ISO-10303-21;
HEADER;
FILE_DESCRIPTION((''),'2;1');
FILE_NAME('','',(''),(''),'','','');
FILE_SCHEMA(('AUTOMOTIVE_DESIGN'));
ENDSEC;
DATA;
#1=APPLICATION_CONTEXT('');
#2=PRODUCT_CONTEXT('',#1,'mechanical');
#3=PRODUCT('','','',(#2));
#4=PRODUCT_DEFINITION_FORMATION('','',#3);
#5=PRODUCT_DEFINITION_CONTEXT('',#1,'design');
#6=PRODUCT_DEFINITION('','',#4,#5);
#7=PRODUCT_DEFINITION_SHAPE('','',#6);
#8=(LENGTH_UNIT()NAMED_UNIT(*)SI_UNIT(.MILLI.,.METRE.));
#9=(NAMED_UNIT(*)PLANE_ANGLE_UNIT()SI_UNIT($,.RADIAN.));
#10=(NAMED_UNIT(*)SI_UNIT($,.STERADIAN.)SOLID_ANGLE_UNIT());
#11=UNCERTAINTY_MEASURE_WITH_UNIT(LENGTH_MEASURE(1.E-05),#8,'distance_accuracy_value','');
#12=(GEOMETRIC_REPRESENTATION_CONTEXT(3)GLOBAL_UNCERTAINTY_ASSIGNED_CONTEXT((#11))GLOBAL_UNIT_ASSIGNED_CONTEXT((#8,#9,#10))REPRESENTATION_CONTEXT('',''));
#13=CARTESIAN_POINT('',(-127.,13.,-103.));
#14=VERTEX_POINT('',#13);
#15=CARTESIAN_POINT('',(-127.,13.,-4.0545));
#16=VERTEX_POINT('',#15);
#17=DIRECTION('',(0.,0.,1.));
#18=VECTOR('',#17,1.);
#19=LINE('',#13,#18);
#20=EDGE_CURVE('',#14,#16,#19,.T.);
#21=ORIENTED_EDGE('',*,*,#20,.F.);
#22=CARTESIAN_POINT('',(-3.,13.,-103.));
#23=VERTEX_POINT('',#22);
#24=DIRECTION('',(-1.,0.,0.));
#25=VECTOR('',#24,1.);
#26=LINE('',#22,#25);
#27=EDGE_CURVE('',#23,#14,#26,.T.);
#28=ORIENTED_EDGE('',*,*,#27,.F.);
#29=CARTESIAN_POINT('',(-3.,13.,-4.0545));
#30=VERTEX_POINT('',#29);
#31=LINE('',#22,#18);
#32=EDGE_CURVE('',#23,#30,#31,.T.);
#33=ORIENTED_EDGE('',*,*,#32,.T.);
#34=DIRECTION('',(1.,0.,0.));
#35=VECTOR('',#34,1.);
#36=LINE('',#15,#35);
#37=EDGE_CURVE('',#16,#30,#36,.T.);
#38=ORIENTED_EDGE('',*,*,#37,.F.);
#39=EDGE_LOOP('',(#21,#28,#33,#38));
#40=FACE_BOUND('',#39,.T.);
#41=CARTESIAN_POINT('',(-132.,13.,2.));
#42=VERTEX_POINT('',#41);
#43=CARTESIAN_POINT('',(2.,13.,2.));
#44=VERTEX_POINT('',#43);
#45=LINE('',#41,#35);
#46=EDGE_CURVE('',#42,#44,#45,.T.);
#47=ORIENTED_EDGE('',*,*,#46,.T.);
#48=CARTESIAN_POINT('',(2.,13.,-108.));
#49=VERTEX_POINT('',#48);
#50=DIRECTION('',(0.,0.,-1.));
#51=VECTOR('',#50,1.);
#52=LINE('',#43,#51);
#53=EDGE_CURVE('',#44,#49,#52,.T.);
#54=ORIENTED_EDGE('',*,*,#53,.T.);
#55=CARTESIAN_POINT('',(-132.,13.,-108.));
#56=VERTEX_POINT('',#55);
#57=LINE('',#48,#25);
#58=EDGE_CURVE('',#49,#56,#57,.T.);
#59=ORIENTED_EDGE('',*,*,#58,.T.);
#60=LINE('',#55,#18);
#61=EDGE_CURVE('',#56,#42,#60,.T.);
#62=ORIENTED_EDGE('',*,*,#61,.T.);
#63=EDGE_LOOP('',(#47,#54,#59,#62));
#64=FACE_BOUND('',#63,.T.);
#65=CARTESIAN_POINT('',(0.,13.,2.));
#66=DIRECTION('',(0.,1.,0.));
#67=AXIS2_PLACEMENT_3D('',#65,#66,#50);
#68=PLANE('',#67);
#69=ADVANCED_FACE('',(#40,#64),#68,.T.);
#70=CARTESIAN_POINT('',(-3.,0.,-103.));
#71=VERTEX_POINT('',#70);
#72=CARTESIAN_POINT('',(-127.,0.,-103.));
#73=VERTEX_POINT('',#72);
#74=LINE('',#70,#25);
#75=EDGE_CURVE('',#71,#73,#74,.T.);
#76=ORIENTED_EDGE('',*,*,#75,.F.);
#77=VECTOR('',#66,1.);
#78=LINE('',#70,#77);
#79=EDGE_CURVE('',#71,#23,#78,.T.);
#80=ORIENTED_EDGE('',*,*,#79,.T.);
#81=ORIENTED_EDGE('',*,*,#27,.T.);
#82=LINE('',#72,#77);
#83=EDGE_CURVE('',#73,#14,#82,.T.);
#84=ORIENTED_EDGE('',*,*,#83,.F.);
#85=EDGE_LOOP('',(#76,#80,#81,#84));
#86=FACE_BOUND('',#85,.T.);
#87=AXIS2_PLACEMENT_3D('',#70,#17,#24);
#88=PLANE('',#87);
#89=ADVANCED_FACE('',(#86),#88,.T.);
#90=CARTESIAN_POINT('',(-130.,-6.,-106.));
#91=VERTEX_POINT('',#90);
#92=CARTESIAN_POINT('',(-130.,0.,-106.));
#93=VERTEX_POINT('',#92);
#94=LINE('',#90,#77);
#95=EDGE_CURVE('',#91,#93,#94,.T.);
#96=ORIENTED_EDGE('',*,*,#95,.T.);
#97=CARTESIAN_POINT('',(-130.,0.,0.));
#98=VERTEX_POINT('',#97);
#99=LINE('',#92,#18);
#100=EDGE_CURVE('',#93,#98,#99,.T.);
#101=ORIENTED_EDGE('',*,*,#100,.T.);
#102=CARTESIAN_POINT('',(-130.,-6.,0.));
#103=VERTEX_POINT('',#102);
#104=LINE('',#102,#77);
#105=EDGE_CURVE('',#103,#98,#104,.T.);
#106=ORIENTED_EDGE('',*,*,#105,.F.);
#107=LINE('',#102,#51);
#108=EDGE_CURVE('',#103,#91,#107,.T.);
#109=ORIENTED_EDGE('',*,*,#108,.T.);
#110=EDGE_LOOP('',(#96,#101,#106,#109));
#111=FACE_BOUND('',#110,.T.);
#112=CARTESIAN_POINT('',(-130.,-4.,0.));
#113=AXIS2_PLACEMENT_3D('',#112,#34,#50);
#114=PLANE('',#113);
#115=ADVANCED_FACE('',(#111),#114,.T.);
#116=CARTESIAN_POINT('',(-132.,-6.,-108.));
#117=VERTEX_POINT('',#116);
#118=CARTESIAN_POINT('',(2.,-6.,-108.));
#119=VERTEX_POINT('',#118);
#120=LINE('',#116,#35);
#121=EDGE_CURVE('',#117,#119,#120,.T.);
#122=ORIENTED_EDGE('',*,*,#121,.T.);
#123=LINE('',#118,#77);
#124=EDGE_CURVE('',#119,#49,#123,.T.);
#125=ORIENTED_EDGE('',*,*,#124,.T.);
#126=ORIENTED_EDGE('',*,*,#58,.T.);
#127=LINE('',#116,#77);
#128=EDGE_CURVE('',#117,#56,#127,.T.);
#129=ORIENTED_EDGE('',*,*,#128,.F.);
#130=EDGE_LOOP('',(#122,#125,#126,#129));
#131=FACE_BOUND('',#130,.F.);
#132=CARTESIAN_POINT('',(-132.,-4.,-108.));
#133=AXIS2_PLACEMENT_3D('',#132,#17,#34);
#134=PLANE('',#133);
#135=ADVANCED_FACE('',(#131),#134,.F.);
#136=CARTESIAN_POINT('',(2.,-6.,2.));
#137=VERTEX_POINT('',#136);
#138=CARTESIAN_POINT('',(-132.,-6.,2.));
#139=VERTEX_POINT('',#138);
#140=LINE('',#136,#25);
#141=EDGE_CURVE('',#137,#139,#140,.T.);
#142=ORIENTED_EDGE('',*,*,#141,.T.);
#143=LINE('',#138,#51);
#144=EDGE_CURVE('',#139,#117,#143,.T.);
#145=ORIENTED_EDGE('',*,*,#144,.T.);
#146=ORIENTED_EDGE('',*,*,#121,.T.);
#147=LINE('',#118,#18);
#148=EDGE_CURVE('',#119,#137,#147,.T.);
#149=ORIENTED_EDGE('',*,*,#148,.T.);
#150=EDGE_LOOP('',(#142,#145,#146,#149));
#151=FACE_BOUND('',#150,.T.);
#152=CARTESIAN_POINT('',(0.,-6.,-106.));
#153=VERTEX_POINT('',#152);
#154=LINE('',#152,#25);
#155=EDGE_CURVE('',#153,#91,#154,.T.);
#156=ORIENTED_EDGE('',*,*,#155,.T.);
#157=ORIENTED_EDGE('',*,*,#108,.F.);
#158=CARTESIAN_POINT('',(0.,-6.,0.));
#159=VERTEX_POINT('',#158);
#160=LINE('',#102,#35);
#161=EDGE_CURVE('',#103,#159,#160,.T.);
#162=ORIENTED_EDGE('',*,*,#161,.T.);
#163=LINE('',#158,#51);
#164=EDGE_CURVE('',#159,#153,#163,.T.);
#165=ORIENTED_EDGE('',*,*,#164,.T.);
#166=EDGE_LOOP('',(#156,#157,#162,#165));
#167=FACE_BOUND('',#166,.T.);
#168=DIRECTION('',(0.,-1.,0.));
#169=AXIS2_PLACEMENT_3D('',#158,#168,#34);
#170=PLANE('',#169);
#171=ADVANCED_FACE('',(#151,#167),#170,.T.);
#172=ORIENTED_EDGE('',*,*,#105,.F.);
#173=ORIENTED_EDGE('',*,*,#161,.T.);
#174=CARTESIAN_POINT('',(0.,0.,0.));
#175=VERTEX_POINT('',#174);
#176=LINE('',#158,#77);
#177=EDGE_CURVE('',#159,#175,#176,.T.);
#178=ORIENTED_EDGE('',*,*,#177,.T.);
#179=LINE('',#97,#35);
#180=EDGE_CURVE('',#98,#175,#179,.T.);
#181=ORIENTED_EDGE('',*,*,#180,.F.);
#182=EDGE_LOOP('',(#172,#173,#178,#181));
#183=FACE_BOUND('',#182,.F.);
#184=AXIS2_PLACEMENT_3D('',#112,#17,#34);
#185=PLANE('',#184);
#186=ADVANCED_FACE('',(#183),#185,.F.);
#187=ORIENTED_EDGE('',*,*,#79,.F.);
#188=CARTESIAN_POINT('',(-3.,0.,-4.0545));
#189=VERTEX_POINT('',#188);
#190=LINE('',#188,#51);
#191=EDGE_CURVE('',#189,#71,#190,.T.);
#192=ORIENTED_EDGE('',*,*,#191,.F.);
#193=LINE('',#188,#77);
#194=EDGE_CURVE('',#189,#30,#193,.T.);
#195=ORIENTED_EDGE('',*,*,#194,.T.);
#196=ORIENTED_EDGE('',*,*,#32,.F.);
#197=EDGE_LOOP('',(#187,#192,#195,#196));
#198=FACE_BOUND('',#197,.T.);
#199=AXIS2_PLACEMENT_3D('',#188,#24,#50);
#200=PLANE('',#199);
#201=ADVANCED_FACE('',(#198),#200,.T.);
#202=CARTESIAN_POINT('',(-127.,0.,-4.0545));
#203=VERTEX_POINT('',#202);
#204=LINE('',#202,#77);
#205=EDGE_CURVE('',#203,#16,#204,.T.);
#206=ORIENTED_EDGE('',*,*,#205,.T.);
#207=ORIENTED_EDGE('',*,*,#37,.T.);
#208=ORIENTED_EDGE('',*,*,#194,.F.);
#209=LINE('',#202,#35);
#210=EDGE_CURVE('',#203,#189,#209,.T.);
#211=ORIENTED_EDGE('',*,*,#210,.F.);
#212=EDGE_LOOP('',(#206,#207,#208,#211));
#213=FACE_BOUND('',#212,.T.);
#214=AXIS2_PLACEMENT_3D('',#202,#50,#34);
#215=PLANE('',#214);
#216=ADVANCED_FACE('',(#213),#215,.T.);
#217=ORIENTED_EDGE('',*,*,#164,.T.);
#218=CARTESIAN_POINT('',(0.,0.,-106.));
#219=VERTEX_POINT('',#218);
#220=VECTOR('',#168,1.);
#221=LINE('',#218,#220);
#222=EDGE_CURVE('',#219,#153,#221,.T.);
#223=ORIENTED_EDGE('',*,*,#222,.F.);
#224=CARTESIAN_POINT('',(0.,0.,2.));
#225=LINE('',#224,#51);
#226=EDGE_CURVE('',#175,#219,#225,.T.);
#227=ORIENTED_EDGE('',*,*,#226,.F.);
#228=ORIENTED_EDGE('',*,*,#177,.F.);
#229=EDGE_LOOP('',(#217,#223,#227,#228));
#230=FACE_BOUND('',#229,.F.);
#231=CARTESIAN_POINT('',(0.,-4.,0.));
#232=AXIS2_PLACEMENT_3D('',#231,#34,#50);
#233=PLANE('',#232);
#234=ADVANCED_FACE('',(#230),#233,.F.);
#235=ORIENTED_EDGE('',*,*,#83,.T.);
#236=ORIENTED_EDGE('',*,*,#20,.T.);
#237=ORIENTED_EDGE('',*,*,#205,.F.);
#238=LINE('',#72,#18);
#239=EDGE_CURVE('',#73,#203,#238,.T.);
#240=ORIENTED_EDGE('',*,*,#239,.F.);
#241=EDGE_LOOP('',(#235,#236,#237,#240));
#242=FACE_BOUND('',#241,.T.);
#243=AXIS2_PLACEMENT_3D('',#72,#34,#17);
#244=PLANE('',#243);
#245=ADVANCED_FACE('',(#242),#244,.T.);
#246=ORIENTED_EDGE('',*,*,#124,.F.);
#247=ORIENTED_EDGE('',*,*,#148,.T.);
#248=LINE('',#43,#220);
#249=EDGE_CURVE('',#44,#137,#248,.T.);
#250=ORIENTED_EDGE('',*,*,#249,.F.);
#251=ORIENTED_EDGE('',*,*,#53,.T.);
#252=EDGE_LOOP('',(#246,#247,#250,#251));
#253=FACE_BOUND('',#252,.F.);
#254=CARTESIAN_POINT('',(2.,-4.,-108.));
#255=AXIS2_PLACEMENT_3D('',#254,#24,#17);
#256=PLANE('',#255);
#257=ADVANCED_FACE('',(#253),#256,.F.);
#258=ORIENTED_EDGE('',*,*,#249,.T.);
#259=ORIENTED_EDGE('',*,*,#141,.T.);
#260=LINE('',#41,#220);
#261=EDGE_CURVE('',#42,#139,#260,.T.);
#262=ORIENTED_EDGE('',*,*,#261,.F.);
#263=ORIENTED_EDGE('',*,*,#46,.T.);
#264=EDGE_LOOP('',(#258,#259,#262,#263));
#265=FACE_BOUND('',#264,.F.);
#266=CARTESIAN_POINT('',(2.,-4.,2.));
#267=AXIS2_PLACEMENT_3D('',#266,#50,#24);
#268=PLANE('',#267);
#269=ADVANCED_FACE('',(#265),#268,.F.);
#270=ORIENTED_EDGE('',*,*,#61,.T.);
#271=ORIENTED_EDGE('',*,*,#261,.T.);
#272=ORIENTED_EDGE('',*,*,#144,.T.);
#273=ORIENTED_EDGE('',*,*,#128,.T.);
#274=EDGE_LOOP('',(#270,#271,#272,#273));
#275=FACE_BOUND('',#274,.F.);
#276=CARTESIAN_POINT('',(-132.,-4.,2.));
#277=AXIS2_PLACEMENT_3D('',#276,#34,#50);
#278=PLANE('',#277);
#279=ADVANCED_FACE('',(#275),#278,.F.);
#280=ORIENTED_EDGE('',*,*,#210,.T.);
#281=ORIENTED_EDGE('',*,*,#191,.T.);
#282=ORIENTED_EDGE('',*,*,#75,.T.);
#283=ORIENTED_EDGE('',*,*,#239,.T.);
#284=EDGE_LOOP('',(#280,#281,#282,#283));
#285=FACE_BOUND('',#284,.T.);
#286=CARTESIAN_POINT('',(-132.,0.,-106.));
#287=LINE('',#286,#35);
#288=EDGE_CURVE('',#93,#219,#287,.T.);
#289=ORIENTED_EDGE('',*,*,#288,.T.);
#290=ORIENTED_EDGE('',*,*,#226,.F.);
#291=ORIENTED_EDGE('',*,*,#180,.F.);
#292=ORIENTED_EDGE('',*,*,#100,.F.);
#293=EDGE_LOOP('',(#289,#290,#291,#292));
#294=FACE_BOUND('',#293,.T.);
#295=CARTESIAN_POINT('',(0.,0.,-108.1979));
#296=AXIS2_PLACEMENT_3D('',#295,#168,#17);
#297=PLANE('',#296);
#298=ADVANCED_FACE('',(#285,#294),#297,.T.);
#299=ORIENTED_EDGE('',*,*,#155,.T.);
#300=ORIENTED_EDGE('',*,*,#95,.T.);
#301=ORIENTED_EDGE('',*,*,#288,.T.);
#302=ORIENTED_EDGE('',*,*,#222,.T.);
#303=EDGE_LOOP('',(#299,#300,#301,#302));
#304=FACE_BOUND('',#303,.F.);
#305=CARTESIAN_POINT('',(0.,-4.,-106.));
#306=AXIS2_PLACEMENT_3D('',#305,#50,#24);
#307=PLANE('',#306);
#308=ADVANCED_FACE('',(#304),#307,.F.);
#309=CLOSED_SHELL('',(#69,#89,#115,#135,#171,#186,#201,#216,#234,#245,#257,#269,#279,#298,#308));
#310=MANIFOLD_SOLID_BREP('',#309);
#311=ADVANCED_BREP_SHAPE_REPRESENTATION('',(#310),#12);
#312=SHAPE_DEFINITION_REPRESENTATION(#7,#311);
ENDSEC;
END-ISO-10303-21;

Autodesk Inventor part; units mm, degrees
ref_plane "YZ Plane" through (0, 0, 0) normal (1, 0, 0) x (0, 1, 0)
ref_plane "XZ Plane" through (0, 0, 0) normal (0, 1, 0) x (-1, 0, 0)
ref_plane "XY Plane" through (0, 0, 0) normal (0, 0, 1) x (1, 0, 0)
sketch "Sketch1" plane through (0, 0, 0) normal (0, 1, 0) x (-1, 0, 0)
  line L0 (0, 0) -> (130, 0)
  line L1 (130, 0) -> (130, -106)
  line L2 (130, -106) -> (0, -106)
  line L3 (0, -106) -> (0, 0)
  line L4 (130, 0) -> (130, -3)
  line L5 (127, -4.0545) -> (0, -4.0545)
  line L6 (0, -4.0545) -> (3, -4.0545)
  line L7 (3, -4.0545) -> (3, -106)
  line L8 (3, -106) -> (3, -103)
  line L9 (3, -103) -> (3, -101.9174)
  line L10 (3, -103) -> (130, -103)
  line L11 (130, -3) -> (127, -4.0545)
  line L12 (130, -103) -> (127, -103)
  line L13 (127, -103) -> (127, -4.0545)
  line L14 (127, -4.0545) -> (0, -4.0545)
  line L15 (0, 0) -> (0, -106)
  line L16 (0, -106) -> (130, -106)
  line L17 (130, -106) -> (130, 0)
  line L18 (127, -4.0545) -> (127, -103)
  line L19 (127, -103) -> (3, -103)
  line L20 (3, -103) -> (3, -4.0545)
  line L21 (3, -4.0545) -> (127, -4.0545)
  dimension "d0" = 130
  dimension "d1" = 106
  dimension "d2" = 3
  dimension "d3" = 3
  dimension "d4" = 3
  dimension "d5" = 3
sketch "Sketch2" plane through (0, 0, 0) normal (0, 1, 0) x (-1, 0, 0)
  point P0 (0, 0)
extrude "Extrusion1" add sketch "Sketch1" along normal blind 13 contours L0 L1 L11 L5 L3 | L5 L7 L2 L3 | L1 L10 L13 L11 | L1 L2 L7 L10
sketch "Sketch6" plane through (-130, 0, 0) normal (0, 0, 1) x (1, 0, 0)
  line L0 (0, 13) -> (130, 13) projected
  line L1 (0, 13) -> (130, 13)
  line L2 (130, 13) -> (130, 0)
  line L3 (130, 0) -> (0, 0)
  line L4 (0, 0) -> (0, 13)
extrude "Extrusion3" add sketch "Sketch6" along normal blind 2
sketch "Sketch7" plane through (0, 0, 0) normal (0, -1, 0) x (1, 0, 0)
  line L0 (-130, -106) -> (-130, 2) projected
  line L1 (-130, 0) -> (0, 0)
  line L2 (0, -106) -> (0, 2) projected
  line L3 (0, 0) -> (0, 2)
  line L4 (0, 2) -> (-130, 2)
  line L5 (-130, 2) -> (-130, 0)
  point P0 (-130, 2)
extrude "Extrusion4" add sketch "Sketch7" along normal blind 4
sketch "Sketch8" plane through (-130, 0, -106) normal (-1, 0, 0) x (0, 0, 1)
  line L0 (108, 13) -> (108, -4) projected
  line L1 (0, 0) -> (106, 0) projected
  line L2 (108, 13) -> (0, 13)
  line L3 (0, 13) -> (0, 0)
  line L4 (0, 0) -> (108, 0)
  line L5 (108, 0) -> (108, 13)
extrude "Extrusion5" add sketch "Sketch8" along normal blind 2
sketch "Sketch9" plane through (0, 0, 0) normal (0, -1, 0) x (1, 0, 0)
  line L0 (0, -106) -> (-132, -106) projected
  line L1 (-132, -106) -> (-130, -106)
  line L2 (-130, -106) -> (-130, 2.3053)
  line L3 (-127, -4.0545) -> (-127, -103) projected
  line L4 (-130, 2.3053) -> (-132, 2.3053)
  line L5 (-132, -106) -> (-132, 2) projected
  line L6 (-132, 2.3053) -> (-132, -106)
  point P0 (0, 0)
  dimension "d20" = 2
extrude "Extrusion6" add sketch "Sketch9" along normal blind 4
sketch "Sketch10" plane through (-132, 0, -106) normal (-1, 0, 0) x (0, 0, 1)
  line L0 (108, 13) -> (108, -4) projected
  line L1 (108, 0) -> (108, -4)
  line L2 (108, -4) -> (108.3053, -4) projected
  line L3 (108.3053, 0) -> (108.3053, -4) projected
  line L4 (108.3053, -4) -> (108.3053, 0)
  line L5 (108, 0) -> (108.3053, 0)
  line L6 (108.3053, 0) -> (108.3053, -4)
  line L7 (108.3053, -4) -> (108, -4)
  point P0 (106, 0)
extrude "Extrusion7" cut sketch "Sketch10" against normal blind 4
sketch "Sketch11" plane through (0, 0, -106) normal (0, 0, -1) x (-1, 0, 0)
  line L0 (0, 13) -> (132, 13) projected
  line L1 (132, 13) -> (0, 13)
  line L2 (0, 13) -> (0, 0)
  line L3 (0, 0) -> (132, 0)
  line L4 (132, 0) -> (132, 13)
extrude "Extrusion8" add sketch "Sketch11" along normal blind 2
sketch "Sketch12" plane through (0, 0, 0) normal (0, -1, 0) x (1, 0, 0)
  line L0 (-132, 2) -> (-132, -106) projected
  line L1 (0, -108) -> (-132, -108) projected
  line L2 (-132, -106) -> (0, -106)
  line L3 (0, -106) -> (0, -108)
  line L4 (0, -108) -> (-132, -108)
  line L5 (-132, -108) -> (-132, -106)
  point P0 (0, 0)
extrude "Extrusion9" add sketch "Sketch12" along normal blind 4
sketch "Sketch13" plane through (0, -4, 2) normal (1, 0, 0) x (0, 0, -1)
  line L0 (0, 17) -> (0, 0) projected
  line L1 (110.1979, 4) -> (0, 4)
  line L2 (0, 4) -> (0, 17)
  line L3 (0, 17) -> (110.1979, 17)
  line L4 (110.1979, 17) -> (110.1979, 4)
  point P0 (2, 4)
  point P1 (0, 4)
extrude "Extrusion10" add sketch "Sketch13" along normal blind 2
sketch "Sketch14" plane through (0, 0, 0) normal (0, -1, 0) x (1, 0, 0)
  line L0 (-132, -108) -> (0, -108) projected
  line L1 (2, 2) -> (2, -108.1979) projected
  line L2 (0, -108) -> (2, -108)
  line L3 (2, -108) -> (2, 2)
  line L4 (2, 2) -> (0, 2)
  line L5 (0, 2) -> (0, -108)
  point P0 (0, 0)
extrude "Extrusion11" add sketch "Sketch14" along normal blind 4
sketch "Sketch15" plane through (0, 0, 0) normal (0, -1, 0) x (1, 0, 0)
  line L0 (2, -108) -> (2, -108.1979) projected
  line L1 (2, -108.1979) -> (0, -108.1979)
  line L2 (0, -108.1979) -> (0, -108)
  line L3 (0, -108) -> (2, -108)
  line L4 (2, -108) -> (2, -108.1979)
  point P0 (0, 0)
extrude "Extrusion12" cut sketch "Sketch15" against normal blind 15
sketch "Sketch16" plane through (0, 0, -108) normal (0, 0, -1) x (-1, 0, 0)
  point P0 (0, 0)
sketch "Sketch17" plane through (0, -4, 0) normal (0, -1, 0) x (1, 0, 0)
  line L0 (2, 2) -> (-132, 2)
  line L1 (-132, 2) -> (-132, -108)
  line L2 (-132, -108) -> (2, -108)
  line L3 (2, -108) -> (2, 2)
  line L4 (0, -106) -> (-130, -106) projected
  line L5 (-130, 0) -> (-130, -106) projected
  line L6 (-130, -106) -> (-130, 0)
  line L7 (-130, 0) -> (0, 0)
  line L8 (0, 0) -> (0, -106)
  line L9 (0, -106) -> (-130, -106)
extrude "Extrusion13" add sketch "Sketch17" along normal blind 2
properties part number "che"
